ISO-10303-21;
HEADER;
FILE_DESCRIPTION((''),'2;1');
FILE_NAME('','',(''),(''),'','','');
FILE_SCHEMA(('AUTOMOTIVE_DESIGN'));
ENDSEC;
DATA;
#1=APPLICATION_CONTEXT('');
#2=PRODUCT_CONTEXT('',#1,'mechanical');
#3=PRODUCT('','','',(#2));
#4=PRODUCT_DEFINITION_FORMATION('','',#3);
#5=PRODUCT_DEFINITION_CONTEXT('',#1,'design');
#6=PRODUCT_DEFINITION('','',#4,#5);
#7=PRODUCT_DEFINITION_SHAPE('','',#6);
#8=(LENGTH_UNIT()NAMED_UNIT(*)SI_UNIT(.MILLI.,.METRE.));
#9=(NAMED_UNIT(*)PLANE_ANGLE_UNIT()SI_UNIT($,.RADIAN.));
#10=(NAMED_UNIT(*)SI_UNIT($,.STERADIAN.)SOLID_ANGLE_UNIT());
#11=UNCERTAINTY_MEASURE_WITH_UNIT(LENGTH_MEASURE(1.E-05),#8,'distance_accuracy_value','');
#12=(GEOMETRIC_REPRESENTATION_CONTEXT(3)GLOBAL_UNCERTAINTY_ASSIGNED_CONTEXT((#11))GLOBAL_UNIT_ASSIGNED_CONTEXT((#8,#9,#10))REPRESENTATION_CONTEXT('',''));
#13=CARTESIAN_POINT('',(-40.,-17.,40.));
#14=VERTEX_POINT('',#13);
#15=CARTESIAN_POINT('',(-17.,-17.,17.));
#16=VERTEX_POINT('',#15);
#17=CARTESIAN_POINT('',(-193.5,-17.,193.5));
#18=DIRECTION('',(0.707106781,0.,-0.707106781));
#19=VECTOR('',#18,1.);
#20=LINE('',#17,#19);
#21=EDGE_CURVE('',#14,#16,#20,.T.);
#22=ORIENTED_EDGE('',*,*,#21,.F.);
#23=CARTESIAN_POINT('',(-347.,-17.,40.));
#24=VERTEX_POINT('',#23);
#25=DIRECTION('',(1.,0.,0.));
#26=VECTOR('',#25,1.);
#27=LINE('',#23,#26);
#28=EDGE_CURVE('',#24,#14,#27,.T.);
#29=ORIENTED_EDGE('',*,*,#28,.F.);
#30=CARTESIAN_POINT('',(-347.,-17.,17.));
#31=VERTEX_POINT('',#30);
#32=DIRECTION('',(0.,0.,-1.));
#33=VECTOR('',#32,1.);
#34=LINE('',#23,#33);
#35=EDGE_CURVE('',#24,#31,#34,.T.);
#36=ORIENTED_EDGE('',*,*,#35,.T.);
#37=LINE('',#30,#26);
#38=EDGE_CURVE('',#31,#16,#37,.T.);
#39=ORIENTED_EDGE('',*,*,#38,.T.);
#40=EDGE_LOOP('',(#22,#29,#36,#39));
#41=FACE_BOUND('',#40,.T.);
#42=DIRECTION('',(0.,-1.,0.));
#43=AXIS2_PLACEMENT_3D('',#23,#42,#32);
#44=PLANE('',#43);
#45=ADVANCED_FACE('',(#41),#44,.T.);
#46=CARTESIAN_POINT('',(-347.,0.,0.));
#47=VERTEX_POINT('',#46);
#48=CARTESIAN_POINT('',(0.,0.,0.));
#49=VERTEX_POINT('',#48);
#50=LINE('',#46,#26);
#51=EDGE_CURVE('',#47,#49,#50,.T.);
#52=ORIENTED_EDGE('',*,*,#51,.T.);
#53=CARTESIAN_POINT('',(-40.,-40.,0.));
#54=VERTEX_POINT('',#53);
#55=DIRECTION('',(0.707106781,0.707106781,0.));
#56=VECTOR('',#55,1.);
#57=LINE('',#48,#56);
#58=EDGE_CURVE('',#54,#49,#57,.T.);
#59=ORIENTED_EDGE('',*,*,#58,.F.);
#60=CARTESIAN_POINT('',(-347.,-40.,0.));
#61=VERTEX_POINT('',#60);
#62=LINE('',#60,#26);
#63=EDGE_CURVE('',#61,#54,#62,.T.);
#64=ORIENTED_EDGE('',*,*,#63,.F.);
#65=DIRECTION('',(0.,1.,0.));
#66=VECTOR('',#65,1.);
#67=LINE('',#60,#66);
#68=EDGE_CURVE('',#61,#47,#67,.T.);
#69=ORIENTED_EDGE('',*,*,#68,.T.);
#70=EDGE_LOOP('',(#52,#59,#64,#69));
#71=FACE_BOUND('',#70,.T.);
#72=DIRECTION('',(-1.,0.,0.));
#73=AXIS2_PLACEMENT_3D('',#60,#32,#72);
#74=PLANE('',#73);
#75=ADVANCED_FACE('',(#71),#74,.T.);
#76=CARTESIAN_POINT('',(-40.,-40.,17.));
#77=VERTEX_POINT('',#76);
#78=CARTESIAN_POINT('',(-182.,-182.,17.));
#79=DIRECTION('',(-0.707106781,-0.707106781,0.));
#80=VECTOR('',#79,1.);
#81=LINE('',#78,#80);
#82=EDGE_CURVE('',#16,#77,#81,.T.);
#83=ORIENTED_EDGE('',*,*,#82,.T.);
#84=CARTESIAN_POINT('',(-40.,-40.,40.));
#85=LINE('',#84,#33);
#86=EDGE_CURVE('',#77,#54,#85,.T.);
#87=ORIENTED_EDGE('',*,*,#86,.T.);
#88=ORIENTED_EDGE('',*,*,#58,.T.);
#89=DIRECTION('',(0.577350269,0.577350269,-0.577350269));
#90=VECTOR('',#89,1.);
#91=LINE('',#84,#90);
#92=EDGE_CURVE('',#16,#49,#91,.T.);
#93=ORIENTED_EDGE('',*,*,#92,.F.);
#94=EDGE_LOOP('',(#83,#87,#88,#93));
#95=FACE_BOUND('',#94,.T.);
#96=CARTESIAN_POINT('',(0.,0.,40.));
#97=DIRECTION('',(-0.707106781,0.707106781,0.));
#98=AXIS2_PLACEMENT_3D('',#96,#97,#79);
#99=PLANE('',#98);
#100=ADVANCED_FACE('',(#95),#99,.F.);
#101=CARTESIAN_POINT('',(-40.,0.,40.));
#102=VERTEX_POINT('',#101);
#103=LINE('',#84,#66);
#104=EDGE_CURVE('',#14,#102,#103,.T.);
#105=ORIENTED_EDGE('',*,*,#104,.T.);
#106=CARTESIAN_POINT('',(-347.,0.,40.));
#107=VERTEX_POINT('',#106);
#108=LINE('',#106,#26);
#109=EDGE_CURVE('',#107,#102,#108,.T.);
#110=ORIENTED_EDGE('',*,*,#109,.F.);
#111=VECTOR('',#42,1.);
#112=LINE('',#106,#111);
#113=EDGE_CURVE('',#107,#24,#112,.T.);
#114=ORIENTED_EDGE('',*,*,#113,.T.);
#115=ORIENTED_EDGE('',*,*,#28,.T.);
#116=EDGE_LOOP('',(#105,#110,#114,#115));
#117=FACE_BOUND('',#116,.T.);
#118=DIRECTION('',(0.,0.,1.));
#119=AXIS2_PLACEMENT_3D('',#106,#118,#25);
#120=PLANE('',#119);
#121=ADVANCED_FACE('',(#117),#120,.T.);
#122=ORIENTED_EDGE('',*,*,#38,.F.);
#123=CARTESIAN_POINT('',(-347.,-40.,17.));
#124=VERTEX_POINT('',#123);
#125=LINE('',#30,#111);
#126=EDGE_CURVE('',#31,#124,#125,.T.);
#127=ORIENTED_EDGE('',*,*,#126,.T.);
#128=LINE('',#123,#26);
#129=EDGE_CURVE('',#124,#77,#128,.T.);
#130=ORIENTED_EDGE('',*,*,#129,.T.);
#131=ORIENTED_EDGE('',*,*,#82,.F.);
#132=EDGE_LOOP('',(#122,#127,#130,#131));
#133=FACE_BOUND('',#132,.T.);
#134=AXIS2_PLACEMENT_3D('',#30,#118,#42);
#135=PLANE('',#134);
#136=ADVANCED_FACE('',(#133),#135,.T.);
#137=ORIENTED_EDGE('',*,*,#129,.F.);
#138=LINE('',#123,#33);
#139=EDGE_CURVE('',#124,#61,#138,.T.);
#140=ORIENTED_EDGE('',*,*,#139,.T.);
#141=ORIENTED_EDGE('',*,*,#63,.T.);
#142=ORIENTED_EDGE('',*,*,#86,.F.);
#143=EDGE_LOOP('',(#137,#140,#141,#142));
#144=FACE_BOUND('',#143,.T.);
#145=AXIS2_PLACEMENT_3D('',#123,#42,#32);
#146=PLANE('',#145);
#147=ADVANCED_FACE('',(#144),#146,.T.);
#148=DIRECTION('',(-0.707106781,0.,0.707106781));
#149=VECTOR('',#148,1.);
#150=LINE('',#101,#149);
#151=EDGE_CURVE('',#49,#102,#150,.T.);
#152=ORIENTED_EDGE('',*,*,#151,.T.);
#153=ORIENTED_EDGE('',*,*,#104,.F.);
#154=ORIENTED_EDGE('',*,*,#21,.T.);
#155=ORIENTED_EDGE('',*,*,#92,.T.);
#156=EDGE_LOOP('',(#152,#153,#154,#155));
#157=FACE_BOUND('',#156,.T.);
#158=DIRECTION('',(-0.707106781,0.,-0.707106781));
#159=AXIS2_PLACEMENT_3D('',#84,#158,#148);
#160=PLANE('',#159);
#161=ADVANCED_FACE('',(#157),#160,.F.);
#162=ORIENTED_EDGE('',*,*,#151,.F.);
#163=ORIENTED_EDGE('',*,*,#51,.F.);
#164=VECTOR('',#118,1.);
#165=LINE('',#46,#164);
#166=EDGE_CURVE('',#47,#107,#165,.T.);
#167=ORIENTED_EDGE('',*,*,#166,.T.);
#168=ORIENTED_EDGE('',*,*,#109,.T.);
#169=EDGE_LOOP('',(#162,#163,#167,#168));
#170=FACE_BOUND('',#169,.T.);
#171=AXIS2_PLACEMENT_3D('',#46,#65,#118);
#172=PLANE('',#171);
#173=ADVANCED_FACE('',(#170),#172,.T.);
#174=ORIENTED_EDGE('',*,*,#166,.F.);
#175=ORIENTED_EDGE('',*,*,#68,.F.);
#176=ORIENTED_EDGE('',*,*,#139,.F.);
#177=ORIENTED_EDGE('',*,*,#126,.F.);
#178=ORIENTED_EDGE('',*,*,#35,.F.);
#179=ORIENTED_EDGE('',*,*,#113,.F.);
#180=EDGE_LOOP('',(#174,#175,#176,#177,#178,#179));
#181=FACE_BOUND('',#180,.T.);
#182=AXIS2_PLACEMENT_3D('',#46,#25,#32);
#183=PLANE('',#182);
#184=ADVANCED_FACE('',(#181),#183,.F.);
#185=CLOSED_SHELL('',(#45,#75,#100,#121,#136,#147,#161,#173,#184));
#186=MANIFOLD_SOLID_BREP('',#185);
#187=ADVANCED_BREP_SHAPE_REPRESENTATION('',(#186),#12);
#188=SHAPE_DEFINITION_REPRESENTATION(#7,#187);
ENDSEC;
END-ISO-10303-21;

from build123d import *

# Parameters (mm, degrees)
BOSS_EXTRU_1_DEPTH      = 347
ENL_V_MAT_EXTRU_1_DEPTH = 41
ENL_V_MAT_EXTRU_2_DEPTH = 41


with BuildPart() as part:
    # Esquisse1 → Boss.-Extru.1 (new body)
    with BuildSketch(Plane(origin=(0, 0, 0), x_dir=(0, 0, -1), z_dir=(1, 0, 0))):
        Polygon((0, 0), (-40, 0), (-40, -17), (-17, -17), (-17, -40), (0, -40), align=None)
    extrude(amount=-BOSS_EXTRU_1_DEPTH)

    # Esquisse2 → Enlèv. mat.-Extru.1 (cut, through all)
    with BuildSketch(Plane(origin=(0, 0, 0), x_dir=(1, 0, 0), z_dir=(0, 1, 0))):
        Polygon((0, 0), (0, -40), (-40, -40), align=None)
    extrude(amount=-ENL_V_MAT_EXTRU_1_DEPTH, mode=Mode.SUBTRACT)

    # Esquisse3 → Enlèv. mat.-Extru.2 (cut, through all)
    with BuildSketch(Plane(origin=(0, 0, 0), x_dir=(-1, 0, 0), z_dir=(0, 0, -1))):
        Polygon((0, -40), (0, 0), (40, -40), align=None)
    extrude(amount=-ENL_V_MAT_EXTRU_2_DEPTH, mode=Mode.SUBTRACT)


solid = part.part
